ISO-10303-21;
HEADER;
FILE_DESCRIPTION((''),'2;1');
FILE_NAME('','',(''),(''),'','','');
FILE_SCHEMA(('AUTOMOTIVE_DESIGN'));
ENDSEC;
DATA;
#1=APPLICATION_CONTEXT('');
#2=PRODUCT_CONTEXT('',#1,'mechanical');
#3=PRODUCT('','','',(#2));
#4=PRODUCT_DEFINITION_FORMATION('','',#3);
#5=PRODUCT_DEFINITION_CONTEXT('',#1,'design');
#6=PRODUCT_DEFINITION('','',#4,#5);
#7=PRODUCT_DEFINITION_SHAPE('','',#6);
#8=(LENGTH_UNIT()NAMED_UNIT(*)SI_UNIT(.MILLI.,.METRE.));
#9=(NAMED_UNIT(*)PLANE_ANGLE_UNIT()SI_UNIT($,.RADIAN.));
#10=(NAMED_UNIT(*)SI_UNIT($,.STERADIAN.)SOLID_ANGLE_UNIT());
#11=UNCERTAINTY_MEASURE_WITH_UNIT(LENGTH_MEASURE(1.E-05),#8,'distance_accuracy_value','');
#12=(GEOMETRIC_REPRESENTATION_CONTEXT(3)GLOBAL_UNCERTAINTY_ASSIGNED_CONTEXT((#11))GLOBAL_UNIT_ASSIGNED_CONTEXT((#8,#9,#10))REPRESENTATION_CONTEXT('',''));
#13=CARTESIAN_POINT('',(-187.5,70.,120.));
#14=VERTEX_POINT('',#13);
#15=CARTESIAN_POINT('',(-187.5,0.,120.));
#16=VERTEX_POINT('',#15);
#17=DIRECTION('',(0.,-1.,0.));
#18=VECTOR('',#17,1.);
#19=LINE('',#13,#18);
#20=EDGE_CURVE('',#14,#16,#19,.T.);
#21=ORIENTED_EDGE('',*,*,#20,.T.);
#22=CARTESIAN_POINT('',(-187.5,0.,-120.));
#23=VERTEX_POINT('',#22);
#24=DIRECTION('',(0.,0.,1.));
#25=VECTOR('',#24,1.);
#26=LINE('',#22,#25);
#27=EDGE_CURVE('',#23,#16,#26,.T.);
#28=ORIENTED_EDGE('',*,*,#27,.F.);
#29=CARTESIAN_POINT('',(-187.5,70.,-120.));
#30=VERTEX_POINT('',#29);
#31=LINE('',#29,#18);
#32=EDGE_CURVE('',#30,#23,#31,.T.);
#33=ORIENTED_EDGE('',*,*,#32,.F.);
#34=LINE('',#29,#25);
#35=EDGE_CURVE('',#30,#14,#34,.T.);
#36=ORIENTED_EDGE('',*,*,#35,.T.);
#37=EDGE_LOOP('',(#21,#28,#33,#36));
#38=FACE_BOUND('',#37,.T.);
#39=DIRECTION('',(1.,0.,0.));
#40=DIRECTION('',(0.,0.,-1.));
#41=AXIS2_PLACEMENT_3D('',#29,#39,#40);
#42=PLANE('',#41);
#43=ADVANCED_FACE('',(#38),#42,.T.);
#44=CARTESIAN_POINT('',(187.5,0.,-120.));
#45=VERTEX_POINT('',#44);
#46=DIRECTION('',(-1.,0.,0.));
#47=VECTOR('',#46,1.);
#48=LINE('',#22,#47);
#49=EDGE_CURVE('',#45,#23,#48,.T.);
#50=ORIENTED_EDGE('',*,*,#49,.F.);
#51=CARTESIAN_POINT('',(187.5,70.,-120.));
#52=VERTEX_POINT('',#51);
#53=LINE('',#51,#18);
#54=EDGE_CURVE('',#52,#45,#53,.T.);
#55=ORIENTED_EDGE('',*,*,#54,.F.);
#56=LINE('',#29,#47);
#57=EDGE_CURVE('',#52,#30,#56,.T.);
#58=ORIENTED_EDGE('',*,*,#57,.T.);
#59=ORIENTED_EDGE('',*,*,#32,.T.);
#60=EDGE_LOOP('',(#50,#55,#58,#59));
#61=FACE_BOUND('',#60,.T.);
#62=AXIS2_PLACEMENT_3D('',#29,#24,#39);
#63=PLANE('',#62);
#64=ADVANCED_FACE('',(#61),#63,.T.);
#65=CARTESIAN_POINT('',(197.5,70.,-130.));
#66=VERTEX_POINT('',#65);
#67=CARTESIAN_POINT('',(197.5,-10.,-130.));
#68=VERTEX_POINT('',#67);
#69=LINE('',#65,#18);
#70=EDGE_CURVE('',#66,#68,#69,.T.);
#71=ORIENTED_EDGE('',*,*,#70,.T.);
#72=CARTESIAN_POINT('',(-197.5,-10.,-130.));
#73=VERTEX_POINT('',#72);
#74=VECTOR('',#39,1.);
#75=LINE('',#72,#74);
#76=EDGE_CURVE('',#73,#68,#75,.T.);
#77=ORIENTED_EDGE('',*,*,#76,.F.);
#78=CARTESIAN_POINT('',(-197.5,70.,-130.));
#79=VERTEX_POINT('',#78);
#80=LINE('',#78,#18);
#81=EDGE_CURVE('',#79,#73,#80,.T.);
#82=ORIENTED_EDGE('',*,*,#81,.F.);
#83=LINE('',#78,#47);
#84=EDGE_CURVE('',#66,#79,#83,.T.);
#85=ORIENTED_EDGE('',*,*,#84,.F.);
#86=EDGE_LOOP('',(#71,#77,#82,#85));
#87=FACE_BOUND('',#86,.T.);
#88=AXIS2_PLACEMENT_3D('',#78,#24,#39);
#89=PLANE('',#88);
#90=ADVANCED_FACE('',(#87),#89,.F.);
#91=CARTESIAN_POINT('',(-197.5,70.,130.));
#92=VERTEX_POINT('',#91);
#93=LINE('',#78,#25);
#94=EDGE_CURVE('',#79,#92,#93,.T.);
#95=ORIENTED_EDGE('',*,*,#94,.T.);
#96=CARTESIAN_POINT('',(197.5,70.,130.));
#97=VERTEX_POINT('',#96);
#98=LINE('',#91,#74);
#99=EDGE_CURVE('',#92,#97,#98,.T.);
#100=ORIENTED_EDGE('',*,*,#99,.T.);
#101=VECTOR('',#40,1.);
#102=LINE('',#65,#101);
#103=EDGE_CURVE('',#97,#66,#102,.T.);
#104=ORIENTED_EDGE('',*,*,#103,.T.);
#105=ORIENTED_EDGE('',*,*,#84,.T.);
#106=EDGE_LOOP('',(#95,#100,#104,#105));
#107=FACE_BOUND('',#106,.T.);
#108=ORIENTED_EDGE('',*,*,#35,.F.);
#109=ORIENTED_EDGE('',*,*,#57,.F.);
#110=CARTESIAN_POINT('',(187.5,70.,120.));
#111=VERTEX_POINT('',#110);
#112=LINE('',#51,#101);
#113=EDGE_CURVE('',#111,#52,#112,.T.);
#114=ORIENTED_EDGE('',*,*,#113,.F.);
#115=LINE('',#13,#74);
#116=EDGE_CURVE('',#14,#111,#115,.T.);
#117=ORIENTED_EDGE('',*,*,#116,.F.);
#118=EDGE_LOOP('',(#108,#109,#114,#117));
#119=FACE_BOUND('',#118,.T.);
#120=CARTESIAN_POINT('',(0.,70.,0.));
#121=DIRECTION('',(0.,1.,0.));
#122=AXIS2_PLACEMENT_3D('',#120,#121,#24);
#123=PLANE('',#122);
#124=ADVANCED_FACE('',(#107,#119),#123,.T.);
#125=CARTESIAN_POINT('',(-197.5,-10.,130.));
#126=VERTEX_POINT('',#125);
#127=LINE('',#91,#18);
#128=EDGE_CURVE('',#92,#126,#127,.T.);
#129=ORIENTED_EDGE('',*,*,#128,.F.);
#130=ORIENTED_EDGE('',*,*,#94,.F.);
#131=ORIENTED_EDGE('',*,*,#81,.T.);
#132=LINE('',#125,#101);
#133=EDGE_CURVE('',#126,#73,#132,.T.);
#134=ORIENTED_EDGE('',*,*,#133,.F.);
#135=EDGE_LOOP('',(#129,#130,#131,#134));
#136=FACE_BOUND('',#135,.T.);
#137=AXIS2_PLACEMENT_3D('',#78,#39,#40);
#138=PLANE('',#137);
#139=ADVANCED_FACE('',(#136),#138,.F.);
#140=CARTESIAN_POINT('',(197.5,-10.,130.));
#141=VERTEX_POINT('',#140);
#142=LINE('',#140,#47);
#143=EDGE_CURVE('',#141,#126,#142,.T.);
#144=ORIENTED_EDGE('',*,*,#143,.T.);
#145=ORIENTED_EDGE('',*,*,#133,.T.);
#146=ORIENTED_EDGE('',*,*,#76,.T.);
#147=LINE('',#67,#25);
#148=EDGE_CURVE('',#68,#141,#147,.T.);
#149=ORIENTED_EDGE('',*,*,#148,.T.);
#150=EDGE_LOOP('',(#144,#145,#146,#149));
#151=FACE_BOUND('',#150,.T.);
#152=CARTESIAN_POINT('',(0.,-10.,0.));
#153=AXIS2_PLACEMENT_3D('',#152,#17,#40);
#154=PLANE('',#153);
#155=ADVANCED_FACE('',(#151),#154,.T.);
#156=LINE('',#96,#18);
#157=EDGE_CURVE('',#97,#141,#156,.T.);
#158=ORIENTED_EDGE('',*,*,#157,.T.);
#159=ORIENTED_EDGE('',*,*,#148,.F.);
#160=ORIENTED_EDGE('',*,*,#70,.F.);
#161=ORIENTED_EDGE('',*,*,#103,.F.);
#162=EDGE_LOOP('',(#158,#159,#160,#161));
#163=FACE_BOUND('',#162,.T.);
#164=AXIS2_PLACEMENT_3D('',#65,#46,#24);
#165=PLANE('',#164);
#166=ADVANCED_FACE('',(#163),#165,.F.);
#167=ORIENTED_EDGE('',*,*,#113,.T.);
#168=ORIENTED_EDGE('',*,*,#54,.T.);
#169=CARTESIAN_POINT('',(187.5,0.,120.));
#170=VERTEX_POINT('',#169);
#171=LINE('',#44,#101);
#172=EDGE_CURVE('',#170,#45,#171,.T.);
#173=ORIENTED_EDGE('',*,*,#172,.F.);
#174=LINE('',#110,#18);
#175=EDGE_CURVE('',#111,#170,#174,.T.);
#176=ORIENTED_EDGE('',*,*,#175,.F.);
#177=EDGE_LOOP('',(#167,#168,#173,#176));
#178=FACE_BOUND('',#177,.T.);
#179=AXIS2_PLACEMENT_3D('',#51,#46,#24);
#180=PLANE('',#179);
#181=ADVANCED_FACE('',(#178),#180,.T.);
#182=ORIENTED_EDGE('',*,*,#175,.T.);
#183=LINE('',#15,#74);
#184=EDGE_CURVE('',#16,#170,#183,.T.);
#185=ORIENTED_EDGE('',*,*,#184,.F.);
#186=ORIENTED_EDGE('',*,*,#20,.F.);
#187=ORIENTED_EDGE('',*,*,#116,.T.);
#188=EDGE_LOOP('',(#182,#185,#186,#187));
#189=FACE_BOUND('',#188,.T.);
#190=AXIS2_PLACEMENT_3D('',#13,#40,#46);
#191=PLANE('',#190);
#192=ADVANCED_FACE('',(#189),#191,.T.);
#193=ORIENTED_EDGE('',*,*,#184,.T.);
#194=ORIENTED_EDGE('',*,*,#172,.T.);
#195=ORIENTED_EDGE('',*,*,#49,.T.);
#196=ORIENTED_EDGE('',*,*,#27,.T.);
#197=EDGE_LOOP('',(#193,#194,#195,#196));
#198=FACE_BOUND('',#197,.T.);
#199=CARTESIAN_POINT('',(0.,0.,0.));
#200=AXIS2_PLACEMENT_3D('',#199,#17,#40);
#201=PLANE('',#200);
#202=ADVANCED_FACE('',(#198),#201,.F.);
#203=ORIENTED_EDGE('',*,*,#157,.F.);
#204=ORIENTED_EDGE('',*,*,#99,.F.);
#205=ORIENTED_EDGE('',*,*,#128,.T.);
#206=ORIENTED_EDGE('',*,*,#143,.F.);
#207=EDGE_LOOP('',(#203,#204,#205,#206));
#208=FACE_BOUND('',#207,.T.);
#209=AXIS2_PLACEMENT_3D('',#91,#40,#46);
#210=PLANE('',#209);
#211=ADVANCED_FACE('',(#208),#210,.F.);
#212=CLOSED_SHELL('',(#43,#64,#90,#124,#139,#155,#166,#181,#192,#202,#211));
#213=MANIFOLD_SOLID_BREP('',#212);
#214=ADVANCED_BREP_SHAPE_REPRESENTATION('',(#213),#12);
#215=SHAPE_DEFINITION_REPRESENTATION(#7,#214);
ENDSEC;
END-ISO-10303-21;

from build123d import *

# Parameters (mm, degrees)
SKETCH1_W           = 395
SKETCH1_H           = 260
SKETCH1_W_2         = 375
SKETCH1_H_2         = 240
BOSS_EXTRUDE1_DEPTH = 70
SKETCH2_W           = 395
SKETCH2_H           = 260
BOSS_EXTRUDE2_DEPTH = 10


with BuildPart() as part:
    # Sketch1 → Boss-Extrude1 (new body)
    with BuildSketch(Plane(origin=(0, 0, 0), x_dir=(1, 0, 0), z_dir=(0, 1, 0))):
        Rectangle(SKETCH1_W, SKETCH1_H)
        Rectangle(SKETCH1_W_2, SKETCH1_H_2, mode=Mode.SUBTRACT)
    extrude(amount=BOSS_EXTRUDE1_DEPTH)

    # Sketch2 → Boss-Extrude2 (add)
    with BuildSketch(Plane.XZ):
        Rectangle(SKETCH2_W, SKETCH2_H)
    extrude(amount=BOSS_EXTRUDE2_DEPTH)


solid = part.part
